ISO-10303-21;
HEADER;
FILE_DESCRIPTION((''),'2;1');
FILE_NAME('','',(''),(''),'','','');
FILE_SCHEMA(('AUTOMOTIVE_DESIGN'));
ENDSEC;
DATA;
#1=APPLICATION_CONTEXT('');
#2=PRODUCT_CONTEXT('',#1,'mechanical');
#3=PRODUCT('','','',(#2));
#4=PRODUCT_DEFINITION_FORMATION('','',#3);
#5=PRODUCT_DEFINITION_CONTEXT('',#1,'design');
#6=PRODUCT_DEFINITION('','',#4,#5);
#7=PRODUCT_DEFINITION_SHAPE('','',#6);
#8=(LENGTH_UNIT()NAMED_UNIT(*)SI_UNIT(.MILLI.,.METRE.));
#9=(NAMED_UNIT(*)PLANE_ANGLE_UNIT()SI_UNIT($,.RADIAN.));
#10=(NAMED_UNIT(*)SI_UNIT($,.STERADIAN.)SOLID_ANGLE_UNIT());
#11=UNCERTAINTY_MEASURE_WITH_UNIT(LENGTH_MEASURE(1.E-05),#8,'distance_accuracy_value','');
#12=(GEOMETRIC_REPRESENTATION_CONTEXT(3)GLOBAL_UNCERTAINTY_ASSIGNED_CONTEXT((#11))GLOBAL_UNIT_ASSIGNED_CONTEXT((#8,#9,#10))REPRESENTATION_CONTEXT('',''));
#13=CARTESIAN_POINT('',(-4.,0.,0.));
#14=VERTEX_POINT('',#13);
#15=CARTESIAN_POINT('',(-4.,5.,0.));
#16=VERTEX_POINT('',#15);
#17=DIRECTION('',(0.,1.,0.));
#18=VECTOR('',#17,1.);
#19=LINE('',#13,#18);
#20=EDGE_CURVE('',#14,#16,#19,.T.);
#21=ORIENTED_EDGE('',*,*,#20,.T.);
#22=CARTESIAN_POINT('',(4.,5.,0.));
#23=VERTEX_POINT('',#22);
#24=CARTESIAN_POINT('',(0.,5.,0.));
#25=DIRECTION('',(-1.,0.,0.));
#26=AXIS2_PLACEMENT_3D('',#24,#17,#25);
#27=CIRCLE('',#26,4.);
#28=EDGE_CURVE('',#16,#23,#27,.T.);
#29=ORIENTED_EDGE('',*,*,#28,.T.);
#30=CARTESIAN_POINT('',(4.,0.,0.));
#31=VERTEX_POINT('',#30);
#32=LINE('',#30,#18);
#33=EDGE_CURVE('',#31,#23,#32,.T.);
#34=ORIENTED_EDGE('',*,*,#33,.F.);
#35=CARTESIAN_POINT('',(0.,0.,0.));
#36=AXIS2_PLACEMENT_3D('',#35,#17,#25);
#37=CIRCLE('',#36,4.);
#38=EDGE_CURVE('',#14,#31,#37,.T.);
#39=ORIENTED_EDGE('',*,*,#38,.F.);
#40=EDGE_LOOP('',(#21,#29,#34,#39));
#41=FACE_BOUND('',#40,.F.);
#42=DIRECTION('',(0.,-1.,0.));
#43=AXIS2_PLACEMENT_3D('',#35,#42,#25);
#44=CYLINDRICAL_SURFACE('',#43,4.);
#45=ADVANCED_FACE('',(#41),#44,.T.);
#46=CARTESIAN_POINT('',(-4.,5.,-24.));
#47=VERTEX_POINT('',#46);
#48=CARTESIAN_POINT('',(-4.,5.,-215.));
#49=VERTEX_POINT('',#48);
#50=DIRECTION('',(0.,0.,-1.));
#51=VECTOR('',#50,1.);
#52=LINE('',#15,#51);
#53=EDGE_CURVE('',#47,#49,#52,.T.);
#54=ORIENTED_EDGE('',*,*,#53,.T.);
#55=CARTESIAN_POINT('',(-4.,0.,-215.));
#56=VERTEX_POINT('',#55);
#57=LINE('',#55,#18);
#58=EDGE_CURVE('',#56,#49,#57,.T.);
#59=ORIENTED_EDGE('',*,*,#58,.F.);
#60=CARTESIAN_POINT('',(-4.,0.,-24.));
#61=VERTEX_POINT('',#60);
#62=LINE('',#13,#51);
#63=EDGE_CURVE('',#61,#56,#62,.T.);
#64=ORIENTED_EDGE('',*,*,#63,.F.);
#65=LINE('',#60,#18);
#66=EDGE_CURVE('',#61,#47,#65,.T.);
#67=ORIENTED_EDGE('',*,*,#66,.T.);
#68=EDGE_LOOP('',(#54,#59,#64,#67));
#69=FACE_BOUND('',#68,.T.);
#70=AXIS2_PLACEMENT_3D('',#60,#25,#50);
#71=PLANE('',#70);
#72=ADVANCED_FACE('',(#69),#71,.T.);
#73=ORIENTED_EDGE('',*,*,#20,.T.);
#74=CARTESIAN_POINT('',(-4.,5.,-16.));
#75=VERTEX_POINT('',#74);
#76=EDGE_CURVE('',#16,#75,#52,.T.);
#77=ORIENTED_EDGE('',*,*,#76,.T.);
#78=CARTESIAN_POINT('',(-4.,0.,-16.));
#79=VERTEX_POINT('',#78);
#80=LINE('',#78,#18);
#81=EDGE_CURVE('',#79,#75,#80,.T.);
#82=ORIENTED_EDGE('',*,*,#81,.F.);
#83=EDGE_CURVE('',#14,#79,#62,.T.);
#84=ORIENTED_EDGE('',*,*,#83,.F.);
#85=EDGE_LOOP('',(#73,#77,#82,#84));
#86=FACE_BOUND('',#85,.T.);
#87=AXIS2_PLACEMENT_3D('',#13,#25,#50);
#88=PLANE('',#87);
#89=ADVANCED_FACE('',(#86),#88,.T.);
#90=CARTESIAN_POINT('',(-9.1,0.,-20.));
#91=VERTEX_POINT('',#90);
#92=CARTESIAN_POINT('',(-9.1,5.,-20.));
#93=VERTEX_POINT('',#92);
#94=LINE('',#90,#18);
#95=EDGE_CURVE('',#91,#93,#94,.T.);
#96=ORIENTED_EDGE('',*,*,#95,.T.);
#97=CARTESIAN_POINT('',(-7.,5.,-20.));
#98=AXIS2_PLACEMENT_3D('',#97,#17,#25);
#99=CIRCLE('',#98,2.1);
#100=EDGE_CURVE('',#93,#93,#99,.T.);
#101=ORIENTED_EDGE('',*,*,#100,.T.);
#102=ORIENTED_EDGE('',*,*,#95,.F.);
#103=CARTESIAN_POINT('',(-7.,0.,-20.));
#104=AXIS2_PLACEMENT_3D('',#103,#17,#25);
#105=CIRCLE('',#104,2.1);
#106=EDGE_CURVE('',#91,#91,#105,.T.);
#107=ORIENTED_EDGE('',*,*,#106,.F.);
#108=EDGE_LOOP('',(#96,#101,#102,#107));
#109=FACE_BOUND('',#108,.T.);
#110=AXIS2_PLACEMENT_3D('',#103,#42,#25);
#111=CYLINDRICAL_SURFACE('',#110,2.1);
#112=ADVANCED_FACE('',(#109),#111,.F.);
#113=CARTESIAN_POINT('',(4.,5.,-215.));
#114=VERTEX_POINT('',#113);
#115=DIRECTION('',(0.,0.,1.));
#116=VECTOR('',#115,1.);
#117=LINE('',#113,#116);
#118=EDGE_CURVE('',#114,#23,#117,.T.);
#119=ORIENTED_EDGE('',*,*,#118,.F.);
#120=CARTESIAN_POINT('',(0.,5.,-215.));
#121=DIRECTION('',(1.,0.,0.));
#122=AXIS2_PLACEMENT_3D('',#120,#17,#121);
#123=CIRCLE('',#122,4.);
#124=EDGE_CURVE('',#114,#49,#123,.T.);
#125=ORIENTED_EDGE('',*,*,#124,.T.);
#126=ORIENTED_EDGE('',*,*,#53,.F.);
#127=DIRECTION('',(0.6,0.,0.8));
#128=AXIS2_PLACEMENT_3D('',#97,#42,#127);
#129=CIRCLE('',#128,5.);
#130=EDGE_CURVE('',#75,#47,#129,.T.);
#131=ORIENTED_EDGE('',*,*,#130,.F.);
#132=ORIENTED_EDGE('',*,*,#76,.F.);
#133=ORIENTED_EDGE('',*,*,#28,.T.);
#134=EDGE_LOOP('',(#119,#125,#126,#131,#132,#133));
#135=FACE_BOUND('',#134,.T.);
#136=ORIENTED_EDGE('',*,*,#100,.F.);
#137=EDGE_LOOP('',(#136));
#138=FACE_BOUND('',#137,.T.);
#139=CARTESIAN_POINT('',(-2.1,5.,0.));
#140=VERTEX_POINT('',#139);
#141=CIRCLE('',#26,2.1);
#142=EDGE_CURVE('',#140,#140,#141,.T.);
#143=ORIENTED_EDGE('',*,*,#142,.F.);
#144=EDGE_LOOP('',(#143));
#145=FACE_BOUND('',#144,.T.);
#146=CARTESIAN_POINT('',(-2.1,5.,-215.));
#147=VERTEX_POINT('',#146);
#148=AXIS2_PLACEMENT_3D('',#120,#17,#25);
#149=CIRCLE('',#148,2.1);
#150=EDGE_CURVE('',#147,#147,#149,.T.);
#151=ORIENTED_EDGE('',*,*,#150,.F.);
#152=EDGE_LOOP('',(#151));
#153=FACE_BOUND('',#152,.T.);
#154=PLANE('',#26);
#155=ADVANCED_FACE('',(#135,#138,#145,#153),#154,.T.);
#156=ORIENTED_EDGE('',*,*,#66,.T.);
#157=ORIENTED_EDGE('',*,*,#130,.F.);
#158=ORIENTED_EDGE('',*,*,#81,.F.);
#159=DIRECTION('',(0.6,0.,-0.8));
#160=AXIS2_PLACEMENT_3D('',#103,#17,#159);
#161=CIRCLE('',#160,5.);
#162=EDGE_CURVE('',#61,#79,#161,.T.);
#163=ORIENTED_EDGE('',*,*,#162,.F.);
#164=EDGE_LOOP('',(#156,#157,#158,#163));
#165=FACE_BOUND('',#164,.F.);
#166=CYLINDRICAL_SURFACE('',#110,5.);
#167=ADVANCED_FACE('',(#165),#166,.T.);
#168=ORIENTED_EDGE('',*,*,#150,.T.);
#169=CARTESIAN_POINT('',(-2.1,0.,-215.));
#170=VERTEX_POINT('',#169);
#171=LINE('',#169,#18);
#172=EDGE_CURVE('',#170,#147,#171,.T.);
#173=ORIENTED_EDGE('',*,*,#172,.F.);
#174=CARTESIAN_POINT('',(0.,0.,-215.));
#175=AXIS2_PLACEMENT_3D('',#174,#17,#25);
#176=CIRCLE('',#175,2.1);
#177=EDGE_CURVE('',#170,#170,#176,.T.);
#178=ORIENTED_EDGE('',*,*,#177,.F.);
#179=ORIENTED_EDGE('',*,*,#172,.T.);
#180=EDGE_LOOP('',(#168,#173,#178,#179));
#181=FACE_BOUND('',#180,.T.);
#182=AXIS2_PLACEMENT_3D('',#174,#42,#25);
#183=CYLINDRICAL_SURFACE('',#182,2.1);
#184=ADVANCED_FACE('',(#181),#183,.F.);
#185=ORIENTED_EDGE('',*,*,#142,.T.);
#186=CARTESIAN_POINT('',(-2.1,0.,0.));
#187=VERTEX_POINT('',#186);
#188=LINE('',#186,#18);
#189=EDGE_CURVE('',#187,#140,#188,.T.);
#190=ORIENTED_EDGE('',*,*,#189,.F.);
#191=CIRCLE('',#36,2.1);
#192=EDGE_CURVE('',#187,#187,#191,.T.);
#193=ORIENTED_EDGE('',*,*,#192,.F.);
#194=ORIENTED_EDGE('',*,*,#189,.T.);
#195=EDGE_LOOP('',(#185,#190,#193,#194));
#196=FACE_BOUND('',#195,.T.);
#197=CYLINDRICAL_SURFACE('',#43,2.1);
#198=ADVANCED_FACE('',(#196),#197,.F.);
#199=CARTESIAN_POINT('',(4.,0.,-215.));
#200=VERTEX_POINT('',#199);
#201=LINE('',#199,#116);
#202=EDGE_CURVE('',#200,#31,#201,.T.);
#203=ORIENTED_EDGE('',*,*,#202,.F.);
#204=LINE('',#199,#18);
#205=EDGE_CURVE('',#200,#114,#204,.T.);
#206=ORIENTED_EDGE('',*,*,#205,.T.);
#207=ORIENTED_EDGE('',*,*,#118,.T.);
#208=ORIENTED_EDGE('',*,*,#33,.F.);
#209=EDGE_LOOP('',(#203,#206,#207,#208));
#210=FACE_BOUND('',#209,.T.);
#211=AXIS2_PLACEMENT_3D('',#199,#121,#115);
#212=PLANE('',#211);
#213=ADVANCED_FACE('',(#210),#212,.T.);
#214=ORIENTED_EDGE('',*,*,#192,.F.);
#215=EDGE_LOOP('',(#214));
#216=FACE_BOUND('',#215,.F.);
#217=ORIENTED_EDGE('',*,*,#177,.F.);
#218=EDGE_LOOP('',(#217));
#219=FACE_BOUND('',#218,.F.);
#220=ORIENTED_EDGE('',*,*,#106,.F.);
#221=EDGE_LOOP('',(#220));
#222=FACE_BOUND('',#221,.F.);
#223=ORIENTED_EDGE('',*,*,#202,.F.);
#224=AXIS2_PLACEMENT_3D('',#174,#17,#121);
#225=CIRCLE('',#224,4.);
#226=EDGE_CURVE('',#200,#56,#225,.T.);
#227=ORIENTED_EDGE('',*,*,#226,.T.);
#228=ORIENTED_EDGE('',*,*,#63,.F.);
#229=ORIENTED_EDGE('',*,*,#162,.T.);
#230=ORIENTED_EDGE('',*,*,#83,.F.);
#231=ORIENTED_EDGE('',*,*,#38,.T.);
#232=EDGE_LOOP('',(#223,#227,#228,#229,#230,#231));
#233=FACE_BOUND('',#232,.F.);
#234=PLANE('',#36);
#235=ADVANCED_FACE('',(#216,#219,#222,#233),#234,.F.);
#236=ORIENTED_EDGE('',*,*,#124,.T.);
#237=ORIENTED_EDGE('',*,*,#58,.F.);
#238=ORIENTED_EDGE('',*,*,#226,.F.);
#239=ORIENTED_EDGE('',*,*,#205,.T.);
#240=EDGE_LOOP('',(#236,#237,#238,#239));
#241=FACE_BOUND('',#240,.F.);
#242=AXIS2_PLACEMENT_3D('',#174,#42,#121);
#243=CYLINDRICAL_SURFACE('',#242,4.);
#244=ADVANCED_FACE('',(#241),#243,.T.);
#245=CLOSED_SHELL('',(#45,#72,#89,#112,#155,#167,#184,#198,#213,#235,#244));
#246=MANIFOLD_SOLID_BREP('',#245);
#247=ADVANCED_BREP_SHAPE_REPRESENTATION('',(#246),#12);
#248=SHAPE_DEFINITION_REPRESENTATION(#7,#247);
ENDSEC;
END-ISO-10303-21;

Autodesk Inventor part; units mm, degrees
ref_plane "YZ Plane" through (0, 0, 0) normal (1, 0, 0) x (0, 1, 0)
ref_plane "XZ Plane" through (0, 0, 0) normal (0, 1, 0) x (-1, 0, 0)
ref_plane "XY Plane" through (0, 0, 0) normal (0, 0, 1) x (1, 0, 0)
sketch "Sketch1" plane through (0, 0, 0) normal (0, 1, 0) x (-1, 0, 0)
  line L0 (0, 0) -> (0, -215) construction
  line L1 (4, 0) -> (4, -215)
  line L2 (-4, -215) -> (-4, 0)
  arc A0 (4, 0) -> (-4, 0) centre (0, 0) ccw
  arc A1 (-4, -215) -> (4, -215) centre (0, -215) ccw
  circle A2 centre (0, 0) radius 2.1
  circle A3 centre (0, -215) radius 2.1
  circle A4 centre (7, -20) radius 2.1
  circle A5 centre (7, -20) radius 5
  point P0 (0, -107.5)
  point P1 (4, -16)
  point P2 (4, -24)
  dimension "d0" = 215
  dimension "d1" = 8
  dimension "d2" = 4.2
  dimension "d3" = 4.2
  dimension "d6" = 4.2
  dimension "d7" = 10
  dimension "d8" = 3
  dimension "d9" = 20
extrude "Extrusion1" add sketch "Sketch1" along normal blind 5
